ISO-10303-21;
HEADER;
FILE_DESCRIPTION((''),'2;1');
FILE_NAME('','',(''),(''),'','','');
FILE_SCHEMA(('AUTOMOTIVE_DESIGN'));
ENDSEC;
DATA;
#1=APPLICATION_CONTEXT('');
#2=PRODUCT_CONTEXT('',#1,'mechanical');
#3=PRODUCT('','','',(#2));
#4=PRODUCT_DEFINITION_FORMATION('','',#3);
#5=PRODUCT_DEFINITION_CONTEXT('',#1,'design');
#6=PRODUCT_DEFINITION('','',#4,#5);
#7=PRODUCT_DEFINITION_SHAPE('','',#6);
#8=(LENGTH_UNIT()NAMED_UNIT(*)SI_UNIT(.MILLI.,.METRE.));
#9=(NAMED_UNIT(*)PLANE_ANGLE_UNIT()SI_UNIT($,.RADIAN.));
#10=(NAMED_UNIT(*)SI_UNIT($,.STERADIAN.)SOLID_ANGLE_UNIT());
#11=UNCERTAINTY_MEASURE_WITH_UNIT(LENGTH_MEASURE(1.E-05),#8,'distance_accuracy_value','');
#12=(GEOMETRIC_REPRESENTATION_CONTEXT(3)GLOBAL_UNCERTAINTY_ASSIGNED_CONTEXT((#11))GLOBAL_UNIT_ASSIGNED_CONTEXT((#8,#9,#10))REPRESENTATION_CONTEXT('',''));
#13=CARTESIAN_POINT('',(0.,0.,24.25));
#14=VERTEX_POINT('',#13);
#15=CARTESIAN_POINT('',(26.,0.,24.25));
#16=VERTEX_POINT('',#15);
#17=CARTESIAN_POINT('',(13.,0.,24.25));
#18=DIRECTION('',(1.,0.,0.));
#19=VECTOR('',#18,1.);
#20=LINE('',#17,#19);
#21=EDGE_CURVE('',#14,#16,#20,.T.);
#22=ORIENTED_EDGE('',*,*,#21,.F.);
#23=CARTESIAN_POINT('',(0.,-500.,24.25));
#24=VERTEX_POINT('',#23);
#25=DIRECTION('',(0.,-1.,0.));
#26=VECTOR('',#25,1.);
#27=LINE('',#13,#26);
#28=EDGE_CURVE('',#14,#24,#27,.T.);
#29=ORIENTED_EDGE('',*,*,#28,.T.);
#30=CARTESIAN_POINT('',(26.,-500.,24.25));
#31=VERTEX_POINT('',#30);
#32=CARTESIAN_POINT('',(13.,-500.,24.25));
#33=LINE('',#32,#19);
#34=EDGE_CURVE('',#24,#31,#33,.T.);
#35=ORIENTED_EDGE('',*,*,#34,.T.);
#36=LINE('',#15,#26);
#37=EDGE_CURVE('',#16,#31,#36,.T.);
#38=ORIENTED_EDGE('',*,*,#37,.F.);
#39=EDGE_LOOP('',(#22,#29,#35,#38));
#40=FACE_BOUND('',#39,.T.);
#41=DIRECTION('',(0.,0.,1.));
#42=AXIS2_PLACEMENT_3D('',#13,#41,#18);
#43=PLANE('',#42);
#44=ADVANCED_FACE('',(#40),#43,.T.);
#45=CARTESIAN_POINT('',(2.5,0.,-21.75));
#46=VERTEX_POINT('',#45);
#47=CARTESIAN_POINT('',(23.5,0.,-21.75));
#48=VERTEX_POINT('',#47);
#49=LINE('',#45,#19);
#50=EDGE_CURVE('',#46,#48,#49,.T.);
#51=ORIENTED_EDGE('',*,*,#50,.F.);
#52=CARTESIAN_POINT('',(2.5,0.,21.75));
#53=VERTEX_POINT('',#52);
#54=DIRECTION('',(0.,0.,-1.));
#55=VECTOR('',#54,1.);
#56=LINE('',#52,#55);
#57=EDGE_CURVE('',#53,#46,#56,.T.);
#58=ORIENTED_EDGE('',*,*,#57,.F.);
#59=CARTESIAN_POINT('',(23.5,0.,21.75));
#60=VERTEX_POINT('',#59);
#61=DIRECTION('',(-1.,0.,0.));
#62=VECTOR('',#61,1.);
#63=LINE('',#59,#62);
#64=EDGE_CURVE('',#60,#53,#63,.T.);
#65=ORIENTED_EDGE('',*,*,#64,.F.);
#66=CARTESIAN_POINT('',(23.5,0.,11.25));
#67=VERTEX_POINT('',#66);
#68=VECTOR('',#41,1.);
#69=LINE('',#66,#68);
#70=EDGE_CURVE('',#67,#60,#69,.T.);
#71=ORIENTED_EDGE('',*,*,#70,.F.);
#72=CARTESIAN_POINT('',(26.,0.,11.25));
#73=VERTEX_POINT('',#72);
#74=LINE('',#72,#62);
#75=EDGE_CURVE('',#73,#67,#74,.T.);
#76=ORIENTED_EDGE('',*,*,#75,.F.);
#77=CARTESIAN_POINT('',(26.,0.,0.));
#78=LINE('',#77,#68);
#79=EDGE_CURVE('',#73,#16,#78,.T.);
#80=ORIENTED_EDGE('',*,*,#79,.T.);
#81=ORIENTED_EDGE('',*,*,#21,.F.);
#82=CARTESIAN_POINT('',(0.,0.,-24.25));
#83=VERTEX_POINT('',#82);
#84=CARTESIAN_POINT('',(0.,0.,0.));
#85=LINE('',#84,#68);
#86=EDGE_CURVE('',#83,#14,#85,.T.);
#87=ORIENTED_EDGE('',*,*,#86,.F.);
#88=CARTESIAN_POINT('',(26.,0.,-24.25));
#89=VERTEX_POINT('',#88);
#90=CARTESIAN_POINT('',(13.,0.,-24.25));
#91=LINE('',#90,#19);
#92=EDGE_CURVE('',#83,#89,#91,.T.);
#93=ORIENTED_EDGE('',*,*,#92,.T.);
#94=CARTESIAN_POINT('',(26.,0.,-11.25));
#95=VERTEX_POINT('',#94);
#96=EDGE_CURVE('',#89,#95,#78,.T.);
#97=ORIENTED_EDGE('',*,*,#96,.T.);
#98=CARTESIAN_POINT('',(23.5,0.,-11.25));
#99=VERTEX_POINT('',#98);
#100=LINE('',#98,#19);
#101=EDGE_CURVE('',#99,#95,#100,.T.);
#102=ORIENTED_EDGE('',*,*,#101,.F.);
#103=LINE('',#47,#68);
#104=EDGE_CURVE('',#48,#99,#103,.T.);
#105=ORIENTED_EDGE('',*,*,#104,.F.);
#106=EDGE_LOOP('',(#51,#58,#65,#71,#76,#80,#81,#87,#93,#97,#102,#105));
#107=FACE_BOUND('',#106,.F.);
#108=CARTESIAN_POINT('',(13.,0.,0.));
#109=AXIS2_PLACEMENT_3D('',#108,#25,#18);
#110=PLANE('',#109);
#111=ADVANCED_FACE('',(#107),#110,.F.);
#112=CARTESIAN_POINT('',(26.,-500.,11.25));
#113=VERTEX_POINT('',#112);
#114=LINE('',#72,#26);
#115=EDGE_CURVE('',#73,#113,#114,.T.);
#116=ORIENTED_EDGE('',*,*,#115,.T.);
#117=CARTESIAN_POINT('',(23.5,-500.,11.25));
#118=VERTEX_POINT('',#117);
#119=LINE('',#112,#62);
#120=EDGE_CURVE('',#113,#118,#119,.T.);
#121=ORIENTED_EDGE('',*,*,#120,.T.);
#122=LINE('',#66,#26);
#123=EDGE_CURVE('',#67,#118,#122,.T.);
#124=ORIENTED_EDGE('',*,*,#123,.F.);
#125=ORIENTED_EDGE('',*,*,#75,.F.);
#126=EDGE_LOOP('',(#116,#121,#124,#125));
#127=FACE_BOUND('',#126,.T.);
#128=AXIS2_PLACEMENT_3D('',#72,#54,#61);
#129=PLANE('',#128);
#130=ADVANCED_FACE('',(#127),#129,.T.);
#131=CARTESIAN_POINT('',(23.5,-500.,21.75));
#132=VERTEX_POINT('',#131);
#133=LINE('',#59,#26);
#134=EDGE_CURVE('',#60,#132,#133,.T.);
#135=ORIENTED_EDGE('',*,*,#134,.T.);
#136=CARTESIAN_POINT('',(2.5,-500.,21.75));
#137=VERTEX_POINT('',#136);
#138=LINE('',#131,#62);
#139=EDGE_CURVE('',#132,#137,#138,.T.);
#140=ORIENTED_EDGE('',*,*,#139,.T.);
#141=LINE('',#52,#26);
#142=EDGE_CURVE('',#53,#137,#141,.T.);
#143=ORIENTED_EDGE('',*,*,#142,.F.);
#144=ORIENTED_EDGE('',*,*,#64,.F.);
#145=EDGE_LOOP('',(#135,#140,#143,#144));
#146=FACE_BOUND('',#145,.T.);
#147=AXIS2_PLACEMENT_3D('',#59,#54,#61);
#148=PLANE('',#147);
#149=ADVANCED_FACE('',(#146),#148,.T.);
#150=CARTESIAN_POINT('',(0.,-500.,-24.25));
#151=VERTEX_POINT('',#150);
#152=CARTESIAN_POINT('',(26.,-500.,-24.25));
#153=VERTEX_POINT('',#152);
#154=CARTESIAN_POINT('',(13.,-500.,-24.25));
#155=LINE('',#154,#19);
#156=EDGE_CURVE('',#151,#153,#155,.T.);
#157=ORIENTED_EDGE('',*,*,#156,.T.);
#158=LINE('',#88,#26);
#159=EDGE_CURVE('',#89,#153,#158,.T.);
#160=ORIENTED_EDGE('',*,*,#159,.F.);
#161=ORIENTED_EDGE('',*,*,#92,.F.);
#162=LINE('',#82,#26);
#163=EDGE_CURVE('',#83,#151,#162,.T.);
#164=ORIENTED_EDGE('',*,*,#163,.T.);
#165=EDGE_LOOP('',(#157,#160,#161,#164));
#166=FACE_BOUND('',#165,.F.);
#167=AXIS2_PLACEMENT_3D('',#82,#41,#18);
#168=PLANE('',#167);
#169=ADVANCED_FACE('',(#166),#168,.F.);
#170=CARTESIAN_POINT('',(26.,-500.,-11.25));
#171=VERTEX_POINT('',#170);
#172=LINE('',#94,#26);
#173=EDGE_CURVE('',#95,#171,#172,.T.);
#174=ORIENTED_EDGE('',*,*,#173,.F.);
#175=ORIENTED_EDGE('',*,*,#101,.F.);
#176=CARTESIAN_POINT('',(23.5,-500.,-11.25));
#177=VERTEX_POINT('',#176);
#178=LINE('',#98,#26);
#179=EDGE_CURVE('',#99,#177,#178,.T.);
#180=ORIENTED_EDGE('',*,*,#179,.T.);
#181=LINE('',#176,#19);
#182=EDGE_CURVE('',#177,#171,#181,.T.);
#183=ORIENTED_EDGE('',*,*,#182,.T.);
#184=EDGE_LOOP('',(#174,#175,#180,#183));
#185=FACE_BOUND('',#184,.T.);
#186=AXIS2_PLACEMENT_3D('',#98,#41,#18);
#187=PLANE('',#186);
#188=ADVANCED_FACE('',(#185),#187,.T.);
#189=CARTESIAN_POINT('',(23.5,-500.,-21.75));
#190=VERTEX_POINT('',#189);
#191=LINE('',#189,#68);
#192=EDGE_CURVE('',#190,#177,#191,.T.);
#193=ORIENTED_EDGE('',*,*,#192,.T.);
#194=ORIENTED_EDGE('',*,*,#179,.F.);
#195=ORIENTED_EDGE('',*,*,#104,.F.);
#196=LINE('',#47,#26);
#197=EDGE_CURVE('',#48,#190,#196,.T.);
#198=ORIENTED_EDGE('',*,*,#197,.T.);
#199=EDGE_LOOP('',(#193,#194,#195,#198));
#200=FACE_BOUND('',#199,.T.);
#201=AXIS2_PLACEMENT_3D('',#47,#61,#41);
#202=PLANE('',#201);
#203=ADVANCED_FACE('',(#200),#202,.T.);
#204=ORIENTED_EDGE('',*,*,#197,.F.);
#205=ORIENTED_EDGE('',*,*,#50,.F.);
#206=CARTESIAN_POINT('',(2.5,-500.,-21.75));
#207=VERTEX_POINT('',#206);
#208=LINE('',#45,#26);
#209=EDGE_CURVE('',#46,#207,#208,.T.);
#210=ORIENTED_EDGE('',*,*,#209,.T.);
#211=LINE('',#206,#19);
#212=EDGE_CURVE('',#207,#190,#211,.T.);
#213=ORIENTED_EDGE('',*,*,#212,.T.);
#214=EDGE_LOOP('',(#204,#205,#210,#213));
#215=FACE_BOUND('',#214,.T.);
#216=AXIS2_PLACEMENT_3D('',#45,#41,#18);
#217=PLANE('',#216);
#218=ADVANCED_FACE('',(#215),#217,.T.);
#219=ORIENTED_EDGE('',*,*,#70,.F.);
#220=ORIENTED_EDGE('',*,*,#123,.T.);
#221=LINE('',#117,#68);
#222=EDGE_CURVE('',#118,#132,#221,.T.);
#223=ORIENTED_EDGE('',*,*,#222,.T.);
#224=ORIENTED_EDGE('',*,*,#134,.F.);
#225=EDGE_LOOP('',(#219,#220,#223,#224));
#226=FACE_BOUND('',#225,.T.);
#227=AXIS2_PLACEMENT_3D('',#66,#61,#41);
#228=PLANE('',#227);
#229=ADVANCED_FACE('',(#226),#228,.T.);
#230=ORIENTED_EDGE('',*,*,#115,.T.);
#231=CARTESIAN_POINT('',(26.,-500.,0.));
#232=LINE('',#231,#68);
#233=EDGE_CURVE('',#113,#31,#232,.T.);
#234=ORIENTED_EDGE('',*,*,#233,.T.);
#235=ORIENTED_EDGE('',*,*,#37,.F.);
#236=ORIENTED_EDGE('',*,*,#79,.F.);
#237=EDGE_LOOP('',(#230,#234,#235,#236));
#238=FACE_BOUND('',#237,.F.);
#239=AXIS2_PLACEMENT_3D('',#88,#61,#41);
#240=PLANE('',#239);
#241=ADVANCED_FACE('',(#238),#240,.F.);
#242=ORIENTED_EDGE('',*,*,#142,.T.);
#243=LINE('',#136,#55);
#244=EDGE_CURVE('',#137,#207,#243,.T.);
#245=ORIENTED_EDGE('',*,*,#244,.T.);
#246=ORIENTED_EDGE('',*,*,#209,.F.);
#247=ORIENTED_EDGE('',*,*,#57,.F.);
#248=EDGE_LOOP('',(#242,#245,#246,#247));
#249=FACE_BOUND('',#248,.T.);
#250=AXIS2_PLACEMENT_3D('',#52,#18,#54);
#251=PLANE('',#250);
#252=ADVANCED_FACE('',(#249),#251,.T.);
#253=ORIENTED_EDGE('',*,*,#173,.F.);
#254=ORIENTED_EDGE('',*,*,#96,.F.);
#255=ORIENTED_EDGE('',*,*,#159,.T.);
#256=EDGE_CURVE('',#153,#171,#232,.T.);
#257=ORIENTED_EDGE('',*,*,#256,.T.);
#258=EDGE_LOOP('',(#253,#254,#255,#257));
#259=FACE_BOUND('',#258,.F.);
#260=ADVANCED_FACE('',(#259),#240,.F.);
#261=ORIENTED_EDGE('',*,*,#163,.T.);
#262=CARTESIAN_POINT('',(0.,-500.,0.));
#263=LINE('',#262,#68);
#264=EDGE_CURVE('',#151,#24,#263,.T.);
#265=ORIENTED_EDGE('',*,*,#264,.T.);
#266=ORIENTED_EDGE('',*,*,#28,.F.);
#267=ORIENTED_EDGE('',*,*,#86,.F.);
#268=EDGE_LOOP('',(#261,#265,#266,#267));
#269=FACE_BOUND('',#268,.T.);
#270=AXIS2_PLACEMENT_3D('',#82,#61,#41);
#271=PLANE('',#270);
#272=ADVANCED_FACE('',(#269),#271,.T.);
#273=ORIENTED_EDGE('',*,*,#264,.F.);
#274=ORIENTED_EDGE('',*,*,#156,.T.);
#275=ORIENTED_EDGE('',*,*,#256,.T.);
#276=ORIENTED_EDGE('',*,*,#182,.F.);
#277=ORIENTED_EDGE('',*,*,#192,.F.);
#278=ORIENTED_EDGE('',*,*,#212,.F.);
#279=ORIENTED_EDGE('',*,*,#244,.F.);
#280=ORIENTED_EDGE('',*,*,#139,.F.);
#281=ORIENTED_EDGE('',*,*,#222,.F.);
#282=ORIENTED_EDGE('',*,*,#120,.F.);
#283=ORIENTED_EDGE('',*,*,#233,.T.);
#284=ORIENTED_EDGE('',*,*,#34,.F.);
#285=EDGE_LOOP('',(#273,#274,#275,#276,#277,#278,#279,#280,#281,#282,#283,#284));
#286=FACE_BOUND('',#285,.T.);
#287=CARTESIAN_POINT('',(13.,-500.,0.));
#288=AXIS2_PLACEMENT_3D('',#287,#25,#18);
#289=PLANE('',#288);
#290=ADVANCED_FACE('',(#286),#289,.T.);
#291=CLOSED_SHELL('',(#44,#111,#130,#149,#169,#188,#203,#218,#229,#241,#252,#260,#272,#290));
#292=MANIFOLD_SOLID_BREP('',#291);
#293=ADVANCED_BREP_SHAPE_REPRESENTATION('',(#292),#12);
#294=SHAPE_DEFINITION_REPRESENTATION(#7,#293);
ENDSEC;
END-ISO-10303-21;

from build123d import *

# Parameters (mm, degrees)
F0_W     = 26
F0_H     = 48.5
F2_DEPTH = 500
F3_DEPTH = 500


with BuildPart() as f2:
    # F0 (on Front) → F2 (new body)
    with BuildSketch(Plane.XZ):
        with Locations((13, 0)):
            Rectangle(F0_W, F0_H)
    extrude(amount=F2_DEPTH)

    # F1 (on Front) → F3 (cut, through all)
    with BuildSketch(Plane.XZ):
        Polygon((23.5, 11.25), (23.5, 21.75), (2.5, 21.75), (2.5, -21.75), (23.5, -21.75), (23.5, -11.25), (26, -11.25), (26, 11.25), align=None)
    extrude(amount=F3_DEPTH, mode=Mode.SUBTRACT)


solid = f2.part
